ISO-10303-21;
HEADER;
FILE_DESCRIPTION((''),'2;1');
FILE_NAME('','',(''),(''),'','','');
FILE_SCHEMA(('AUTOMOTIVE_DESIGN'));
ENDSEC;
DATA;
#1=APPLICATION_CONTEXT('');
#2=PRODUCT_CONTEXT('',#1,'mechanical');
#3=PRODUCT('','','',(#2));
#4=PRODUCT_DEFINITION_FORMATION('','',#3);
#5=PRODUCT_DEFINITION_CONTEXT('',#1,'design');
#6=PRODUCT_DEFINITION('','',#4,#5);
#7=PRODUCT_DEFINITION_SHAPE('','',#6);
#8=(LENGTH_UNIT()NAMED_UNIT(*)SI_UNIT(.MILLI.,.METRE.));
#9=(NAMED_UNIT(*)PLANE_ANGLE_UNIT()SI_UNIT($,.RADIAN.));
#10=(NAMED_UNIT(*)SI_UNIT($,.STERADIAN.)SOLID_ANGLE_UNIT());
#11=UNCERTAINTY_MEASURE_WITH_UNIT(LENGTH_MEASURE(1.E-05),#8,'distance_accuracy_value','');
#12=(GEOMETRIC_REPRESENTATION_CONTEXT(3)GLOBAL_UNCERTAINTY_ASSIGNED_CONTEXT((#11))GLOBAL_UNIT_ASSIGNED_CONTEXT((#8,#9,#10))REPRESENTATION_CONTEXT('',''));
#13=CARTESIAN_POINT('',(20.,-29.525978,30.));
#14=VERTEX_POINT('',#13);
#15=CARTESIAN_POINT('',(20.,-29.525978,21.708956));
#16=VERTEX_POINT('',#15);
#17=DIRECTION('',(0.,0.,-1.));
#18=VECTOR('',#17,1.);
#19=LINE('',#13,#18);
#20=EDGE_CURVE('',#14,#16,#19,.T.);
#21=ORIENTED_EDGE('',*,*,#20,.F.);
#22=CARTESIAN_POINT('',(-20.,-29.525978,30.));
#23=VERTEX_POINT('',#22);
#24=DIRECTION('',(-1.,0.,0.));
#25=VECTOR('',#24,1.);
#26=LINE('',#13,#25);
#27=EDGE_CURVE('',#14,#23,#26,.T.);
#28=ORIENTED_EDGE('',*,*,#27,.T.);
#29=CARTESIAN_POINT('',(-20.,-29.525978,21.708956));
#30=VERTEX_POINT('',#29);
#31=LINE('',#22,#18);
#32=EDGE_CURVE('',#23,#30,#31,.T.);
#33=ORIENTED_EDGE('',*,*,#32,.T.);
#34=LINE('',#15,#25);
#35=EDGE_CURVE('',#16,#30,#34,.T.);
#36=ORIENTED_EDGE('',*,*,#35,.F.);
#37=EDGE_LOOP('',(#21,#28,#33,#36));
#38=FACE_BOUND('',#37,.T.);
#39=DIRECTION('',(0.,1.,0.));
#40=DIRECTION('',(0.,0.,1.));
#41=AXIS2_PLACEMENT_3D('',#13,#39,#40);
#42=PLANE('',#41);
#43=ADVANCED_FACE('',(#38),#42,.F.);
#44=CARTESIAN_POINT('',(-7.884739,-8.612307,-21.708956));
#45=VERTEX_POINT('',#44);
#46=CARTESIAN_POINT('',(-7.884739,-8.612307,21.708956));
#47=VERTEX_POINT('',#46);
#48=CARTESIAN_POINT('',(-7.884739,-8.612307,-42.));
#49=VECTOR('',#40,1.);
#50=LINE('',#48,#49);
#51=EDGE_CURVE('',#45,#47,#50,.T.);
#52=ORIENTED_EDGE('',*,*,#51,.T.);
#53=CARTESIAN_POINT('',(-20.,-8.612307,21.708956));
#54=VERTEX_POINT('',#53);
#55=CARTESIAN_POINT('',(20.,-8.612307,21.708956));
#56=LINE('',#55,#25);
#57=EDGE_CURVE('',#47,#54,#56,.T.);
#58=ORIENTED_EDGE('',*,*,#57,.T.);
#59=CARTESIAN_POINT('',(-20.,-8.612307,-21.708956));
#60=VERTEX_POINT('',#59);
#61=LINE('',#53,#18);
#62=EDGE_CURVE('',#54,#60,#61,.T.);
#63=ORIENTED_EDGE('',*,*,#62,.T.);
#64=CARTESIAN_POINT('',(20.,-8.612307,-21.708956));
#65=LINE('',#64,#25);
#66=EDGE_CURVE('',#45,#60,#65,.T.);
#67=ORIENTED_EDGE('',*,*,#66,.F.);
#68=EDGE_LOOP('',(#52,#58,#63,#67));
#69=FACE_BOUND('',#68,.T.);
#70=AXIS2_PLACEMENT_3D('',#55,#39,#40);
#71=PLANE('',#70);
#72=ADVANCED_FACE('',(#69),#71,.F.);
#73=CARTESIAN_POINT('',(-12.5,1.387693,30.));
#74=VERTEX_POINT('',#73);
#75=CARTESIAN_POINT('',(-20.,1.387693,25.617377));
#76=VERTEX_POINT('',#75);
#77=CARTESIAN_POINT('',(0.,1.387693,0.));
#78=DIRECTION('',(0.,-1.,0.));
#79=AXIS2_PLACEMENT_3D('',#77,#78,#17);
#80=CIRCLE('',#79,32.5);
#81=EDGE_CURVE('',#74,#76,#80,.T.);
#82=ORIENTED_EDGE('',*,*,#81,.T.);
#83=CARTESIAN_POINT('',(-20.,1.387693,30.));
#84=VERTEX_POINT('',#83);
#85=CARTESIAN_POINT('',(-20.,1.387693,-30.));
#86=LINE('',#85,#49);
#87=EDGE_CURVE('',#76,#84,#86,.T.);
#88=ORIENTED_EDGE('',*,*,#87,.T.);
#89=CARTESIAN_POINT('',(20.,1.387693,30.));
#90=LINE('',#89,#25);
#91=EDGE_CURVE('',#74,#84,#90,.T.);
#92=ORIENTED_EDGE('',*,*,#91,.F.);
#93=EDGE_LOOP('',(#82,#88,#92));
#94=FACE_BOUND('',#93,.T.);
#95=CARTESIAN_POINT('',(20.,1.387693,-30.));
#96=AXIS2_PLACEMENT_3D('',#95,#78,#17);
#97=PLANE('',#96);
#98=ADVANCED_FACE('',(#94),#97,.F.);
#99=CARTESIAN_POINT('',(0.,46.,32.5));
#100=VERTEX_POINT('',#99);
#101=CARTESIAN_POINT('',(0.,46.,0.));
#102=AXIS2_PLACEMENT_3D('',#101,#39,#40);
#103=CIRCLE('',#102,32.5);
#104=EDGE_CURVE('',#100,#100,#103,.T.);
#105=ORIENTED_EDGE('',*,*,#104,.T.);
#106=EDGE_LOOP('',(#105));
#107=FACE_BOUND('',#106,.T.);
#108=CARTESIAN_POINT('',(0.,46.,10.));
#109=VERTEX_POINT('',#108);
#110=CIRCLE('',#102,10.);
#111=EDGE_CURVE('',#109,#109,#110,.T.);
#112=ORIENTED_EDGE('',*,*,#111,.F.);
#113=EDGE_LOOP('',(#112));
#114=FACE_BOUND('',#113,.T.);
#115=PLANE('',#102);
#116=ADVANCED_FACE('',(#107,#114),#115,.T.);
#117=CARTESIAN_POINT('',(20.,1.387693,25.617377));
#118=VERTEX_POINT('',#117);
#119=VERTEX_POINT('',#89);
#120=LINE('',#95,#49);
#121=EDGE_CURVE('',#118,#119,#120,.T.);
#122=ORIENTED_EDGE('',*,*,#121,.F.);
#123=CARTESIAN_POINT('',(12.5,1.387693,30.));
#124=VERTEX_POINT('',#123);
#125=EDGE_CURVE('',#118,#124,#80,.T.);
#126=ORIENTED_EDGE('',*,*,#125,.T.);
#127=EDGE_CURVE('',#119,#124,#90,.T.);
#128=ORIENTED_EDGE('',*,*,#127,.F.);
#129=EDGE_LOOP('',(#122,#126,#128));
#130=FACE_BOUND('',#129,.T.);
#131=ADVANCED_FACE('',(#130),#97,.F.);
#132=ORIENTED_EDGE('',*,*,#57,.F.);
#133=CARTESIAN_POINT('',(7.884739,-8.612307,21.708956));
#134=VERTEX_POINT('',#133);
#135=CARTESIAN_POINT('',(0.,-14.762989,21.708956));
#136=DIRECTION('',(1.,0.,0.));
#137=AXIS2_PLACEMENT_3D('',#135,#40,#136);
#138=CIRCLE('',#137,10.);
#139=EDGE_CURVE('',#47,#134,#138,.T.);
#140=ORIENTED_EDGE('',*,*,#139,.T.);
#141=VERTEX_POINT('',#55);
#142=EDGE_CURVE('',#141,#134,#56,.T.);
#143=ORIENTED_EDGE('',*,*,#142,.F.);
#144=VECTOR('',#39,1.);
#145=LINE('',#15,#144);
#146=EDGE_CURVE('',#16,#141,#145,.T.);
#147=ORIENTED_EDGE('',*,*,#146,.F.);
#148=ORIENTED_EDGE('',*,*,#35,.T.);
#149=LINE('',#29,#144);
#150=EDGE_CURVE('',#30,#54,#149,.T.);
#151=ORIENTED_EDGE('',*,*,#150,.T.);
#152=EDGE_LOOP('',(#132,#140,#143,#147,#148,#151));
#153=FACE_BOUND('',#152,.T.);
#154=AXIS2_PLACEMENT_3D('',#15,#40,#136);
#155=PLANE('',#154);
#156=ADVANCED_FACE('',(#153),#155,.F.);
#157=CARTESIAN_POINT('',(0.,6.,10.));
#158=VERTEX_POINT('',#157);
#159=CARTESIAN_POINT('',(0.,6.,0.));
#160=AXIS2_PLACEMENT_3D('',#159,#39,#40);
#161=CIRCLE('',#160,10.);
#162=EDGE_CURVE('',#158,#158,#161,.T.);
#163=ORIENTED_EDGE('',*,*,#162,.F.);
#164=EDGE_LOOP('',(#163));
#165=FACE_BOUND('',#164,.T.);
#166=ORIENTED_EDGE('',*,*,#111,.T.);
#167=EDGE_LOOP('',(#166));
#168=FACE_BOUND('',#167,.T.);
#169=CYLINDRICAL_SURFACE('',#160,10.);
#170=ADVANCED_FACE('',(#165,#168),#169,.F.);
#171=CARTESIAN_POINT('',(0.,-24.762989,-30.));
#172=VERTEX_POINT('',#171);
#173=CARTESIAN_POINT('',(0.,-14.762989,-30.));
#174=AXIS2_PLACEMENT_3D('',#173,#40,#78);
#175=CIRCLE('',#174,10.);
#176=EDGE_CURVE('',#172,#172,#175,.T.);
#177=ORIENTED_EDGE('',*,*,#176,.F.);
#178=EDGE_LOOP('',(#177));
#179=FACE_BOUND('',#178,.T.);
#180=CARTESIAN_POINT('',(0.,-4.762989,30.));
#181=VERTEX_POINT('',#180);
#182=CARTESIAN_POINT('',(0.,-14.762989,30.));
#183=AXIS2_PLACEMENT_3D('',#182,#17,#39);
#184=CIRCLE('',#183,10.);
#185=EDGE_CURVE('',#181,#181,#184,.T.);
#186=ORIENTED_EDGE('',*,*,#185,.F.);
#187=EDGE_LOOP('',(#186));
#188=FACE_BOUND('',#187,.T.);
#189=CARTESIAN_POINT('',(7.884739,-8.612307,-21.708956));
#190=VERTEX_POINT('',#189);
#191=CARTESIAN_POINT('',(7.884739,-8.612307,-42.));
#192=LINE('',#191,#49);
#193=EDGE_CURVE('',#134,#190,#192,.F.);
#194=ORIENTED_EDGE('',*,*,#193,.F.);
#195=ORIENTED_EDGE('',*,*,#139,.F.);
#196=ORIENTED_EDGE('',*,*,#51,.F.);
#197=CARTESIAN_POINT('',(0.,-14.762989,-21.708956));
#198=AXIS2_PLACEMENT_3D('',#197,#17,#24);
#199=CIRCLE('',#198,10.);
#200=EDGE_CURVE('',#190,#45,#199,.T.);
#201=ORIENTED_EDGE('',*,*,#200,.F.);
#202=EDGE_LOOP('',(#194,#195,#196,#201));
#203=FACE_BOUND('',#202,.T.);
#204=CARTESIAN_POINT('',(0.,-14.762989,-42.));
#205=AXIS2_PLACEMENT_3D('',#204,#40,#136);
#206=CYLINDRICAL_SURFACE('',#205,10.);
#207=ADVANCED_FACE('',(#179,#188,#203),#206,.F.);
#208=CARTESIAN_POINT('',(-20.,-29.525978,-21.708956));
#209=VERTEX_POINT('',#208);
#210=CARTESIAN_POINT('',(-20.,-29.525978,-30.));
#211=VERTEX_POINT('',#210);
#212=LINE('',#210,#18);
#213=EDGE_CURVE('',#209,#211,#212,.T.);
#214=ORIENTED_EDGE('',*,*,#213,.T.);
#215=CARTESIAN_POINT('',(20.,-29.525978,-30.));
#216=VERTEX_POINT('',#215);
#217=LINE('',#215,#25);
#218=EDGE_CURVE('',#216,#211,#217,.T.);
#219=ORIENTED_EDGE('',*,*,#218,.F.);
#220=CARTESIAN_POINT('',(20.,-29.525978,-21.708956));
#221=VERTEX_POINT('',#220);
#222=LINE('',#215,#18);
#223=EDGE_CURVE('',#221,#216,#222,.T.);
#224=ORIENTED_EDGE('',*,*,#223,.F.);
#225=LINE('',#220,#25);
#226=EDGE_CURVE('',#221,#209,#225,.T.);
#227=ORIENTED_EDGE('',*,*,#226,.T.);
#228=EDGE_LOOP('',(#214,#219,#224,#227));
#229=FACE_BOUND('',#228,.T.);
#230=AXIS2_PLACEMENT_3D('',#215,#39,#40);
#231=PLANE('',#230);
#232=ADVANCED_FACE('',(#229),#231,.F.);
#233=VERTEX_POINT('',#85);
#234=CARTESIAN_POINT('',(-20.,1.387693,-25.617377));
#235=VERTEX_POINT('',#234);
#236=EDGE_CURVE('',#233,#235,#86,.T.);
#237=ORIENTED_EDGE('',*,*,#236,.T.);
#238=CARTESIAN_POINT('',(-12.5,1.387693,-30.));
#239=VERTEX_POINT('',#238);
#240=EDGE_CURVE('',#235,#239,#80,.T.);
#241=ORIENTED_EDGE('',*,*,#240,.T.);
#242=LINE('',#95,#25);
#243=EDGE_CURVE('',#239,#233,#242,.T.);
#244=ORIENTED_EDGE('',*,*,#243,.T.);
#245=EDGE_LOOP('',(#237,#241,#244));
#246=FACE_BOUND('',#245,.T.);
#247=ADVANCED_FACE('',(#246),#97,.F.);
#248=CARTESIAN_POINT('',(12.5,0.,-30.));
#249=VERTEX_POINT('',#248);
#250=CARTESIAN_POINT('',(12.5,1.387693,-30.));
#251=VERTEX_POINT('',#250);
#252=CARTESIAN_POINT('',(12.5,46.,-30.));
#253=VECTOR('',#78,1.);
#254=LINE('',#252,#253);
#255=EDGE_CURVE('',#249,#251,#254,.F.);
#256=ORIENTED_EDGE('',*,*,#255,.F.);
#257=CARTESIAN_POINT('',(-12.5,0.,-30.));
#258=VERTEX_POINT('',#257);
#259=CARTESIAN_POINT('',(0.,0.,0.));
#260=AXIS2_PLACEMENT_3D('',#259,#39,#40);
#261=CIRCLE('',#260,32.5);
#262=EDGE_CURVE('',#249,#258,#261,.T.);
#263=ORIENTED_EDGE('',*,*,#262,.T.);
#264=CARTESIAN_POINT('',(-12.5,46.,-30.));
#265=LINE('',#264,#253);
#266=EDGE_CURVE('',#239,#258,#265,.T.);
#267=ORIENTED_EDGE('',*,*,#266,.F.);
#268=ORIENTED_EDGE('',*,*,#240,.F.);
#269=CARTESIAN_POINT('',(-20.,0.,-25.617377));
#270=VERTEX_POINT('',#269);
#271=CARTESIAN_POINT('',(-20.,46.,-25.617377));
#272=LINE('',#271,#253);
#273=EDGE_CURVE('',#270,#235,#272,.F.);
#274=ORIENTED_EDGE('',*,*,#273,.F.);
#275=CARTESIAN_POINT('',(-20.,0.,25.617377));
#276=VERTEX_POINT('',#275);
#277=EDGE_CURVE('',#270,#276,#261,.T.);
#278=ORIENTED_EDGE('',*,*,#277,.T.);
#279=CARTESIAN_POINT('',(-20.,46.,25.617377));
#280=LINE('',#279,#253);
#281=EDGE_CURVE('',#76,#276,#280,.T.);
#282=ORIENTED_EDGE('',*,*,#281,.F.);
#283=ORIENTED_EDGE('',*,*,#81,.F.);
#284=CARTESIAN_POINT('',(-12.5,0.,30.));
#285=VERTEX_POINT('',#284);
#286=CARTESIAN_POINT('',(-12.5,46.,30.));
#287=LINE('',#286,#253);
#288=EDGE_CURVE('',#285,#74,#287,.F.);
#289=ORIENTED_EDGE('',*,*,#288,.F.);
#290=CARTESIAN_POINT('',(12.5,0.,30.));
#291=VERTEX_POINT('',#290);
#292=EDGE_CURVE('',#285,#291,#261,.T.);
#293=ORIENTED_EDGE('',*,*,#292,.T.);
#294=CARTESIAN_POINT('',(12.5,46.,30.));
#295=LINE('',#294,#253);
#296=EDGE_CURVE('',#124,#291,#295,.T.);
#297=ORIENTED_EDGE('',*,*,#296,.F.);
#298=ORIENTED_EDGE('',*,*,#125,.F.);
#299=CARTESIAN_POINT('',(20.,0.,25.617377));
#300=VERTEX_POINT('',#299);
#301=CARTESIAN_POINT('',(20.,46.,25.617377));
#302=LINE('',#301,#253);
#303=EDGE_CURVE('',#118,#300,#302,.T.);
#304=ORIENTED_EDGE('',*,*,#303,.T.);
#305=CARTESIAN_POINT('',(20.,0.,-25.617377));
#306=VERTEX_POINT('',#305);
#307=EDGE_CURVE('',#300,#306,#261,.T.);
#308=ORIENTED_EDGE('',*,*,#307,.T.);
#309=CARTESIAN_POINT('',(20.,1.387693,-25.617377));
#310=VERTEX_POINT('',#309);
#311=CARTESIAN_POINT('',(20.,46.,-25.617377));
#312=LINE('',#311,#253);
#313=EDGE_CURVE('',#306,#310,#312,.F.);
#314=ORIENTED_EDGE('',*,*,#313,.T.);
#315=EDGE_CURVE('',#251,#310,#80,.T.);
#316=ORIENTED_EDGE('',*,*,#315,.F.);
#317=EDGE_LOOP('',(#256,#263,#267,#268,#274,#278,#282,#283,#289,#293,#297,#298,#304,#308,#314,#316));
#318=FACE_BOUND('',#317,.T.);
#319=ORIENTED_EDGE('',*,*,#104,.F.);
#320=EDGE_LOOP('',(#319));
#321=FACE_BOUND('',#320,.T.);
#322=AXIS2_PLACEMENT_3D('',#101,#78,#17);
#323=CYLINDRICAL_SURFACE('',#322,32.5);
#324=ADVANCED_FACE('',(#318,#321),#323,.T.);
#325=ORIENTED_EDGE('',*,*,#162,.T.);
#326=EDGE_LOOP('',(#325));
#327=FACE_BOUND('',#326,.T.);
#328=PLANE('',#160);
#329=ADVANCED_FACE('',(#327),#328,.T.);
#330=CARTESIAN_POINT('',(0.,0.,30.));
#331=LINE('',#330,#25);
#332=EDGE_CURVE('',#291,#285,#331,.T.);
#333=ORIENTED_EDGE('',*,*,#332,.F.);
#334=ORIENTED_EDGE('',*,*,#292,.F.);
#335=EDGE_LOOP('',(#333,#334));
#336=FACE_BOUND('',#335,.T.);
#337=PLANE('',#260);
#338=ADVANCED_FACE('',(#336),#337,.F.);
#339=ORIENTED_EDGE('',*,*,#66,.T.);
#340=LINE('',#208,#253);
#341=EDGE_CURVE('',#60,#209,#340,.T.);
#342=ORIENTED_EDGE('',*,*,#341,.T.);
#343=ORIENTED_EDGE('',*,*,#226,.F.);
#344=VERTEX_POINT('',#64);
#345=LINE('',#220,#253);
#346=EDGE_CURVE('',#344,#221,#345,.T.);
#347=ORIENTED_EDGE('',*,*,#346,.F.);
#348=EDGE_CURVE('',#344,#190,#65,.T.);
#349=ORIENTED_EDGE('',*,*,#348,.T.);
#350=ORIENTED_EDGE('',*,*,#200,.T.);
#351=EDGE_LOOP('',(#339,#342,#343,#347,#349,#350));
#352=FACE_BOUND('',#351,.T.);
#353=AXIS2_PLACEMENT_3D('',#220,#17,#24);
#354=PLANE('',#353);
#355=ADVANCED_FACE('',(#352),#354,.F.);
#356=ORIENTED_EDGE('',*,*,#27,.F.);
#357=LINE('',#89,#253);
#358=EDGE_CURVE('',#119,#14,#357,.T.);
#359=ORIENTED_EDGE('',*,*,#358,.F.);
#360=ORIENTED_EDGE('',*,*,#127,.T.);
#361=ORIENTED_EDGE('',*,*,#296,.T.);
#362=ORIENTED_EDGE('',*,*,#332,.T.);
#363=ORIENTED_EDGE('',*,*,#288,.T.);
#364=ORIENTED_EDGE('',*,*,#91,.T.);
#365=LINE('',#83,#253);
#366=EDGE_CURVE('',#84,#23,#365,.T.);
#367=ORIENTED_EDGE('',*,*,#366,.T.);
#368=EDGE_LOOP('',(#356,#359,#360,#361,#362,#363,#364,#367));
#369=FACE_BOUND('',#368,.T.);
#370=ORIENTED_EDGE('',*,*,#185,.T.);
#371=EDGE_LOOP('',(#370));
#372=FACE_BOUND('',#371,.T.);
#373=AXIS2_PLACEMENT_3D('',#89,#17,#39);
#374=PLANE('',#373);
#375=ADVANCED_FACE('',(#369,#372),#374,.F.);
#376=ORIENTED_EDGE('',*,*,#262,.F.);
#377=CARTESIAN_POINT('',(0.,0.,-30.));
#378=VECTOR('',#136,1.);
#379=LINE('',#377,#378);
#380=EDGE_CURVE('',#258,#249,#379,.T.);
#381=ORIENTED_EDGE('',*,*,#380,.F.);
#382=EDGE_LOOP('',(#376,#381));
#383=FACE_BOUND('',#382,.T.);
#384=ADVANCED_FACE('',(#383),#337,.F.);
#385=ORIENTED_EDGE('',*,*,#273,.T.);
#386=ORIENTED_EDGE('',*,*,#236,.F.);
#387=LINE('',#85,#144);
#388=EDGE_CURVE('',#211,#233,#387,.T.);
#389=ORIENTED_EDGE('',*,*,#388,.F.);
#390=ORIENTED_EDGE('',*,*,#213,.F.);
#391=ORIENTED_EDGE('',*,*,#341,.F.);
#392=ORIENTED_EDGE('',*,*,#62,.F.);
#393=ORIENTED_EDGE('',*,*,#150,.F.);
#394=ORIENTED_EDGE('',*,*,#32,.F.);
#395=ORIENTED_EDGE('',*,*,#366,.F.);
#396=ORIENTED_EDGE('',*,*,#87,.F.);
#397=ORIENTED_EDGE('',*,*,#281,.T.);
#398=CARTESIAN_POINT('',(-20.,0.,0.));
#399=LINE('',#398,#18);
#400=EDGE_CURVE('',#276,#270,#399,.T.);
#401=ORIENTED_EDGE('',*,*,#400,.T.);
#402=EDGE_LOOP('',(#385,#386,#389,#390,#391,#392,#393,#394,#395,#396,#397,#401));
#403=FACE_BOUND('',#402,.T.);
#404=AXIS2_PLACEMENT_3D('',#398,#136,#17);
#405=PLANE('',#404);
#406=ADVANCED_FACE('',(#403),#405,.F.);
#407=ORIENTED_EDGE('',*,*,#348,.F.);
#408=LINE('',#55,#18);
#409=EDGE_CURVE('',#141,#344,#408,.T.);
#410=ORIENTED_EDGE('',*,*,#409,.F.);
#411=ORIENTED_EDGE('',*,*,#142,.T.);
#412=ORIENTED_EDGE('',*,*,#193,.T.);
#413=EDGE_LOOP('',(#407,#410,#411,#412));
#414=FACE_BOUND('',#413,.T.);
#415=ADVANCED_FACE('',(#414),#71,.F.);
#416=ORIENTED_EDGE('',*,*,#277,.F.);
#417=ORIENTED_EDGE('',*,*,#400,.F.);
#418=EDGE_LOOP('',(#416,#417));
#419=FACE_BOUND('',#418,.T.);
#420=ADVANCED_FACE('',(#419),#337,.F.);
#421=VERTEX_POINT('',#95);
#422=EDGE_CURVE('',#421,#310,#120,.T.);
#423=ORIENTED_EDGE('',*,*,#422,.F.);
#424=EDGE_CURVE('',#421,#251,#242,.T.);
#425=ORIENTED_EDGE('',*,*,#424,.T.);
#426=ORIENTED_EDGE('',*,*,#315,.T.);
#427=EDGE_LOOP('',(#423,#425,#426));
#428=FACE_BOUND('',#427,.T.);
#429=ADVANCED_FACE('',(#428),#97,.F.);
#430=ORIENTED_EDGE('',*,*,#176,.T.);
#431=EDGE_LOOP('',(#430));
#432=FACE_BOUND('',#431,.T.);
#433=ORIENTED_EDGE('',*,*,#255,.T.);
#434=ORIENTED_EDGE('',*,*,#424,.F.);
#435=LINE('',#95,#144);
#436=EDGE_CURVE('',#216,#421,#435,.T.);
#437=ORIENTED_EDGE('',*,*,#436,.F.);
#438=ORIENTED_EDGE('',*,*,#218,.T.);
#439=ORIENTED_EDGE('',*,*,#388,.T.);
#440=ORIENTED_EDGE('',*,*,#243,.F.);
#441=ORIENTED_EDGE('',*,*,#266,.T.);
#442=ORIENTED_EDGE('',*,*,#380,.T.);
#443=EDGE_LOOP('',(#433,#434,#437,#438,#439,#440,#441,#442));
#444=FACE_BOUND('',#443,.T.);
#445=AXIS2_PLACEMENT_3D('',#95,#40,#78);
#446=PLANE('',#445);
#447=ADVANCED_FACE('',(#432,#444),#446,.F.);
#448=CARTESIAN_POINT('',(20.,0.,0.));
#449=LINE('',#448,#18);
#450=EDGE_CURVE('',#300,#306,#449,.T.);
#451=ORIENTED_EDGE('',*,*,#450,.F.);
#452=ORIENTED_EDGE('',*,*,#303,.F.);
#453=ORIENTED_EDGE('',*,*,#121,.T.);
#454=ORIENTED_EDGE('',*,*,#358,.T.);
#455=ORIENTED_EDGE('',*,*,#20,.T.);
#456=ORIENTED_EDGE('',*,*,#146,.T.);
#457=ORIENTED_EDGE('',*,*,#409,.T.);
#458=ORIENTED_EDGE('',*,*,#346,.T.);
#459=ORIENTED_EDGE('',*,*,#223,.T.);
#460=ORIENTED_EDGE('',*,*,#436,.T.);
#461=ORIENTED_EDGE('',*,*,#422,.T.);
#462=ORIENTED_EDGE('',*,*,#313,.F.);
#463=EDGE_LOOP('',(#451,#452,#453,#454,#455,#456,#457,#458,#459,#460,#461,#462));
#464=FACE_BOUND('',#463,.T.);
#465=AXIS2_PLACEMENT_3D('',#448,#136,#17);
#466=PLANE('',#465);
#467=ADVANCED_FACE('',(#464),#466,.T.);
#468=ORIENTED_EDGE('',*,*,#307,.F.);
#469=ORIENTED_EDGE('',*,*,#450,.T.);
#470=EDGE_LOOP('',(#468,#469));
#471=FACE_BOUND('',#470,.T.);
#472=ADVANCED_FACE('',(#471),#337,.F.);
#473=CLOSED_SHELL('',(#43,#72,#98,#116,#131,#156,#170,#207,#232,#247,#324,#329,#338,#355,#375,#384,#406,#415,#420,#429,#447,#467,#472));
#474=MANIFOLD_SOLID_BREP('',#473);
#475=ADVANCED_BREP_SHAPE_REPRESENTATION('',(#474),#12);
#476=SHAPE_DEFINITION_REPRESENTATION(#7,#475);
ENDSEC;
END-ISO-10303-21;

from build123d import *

# Parameters (mm, degrees)
SKETCH1_R           = 32.5
BOSS_EXTRUDE1_DEPTH = 46
SKETCH2_R           = 10
CUT_EXTRUDE1_DEPTH  = 40
BOSS_EXTRUDE2_DEPTH = 20
SKETCH4_R           = 10
CUT_EXTRUDE2_DEPTH  = 42


with BuildPart() as part:
    # Sketch1 → Boss-Extrude1 (new body)
    with BuildSketch(Plane(origin=(0, 0, 0), x_dir=(1, 0, 0), z_dir=(0, 1, 0))):
        Circle(SKETCH1_R)
    extrude(amount=BOSS_EXTRUDE1_DEPTH)

    # Sketch2 → Cut-Extrude1 (cut)
    with BuildSketch(Plane(origin=(0, 46, 0), x_dir=(1, 0, 0), z_dir=(0, 1, 0))):
        Circle(SKETCH2_R)
    extrude(amount=-CUT_EXTRUDE1_DEPTH, mode=Mode.SUBTRACT)

    # Sketch3 → Boss-Extrude2 (add, symmetric)
    with BuildSketch(Plane(origin=(0, 0, 0), x_dir=(0, 0, -1), z_dir=(1, 0, 0))):
        Polygon((30, 1.387692851), (-30, 1.387692851), (-30, -29.525977517), (-21.708955771, -29.525977517), (-21.708955771, -8.612307149), (21.708955771, -8.612307149), (21.708955771, -29.525977517), (30, -29.525977517), align=None)
    extrude(amount=BOSS_EXTRUDE2_DEPTH, both=True)

    # Sketch4 → Cut-Extrude2 (cut, symmetric)
    with BuildSketch(Plane.XY):
        with Locations((0, -14.762988758)):
            Circle(SKETCH4_R)
    extrude(amount=CUT_EXTRUDE2_DEPTH, both=True, mode=Mode.SUBTRACT)


solid = part.part
